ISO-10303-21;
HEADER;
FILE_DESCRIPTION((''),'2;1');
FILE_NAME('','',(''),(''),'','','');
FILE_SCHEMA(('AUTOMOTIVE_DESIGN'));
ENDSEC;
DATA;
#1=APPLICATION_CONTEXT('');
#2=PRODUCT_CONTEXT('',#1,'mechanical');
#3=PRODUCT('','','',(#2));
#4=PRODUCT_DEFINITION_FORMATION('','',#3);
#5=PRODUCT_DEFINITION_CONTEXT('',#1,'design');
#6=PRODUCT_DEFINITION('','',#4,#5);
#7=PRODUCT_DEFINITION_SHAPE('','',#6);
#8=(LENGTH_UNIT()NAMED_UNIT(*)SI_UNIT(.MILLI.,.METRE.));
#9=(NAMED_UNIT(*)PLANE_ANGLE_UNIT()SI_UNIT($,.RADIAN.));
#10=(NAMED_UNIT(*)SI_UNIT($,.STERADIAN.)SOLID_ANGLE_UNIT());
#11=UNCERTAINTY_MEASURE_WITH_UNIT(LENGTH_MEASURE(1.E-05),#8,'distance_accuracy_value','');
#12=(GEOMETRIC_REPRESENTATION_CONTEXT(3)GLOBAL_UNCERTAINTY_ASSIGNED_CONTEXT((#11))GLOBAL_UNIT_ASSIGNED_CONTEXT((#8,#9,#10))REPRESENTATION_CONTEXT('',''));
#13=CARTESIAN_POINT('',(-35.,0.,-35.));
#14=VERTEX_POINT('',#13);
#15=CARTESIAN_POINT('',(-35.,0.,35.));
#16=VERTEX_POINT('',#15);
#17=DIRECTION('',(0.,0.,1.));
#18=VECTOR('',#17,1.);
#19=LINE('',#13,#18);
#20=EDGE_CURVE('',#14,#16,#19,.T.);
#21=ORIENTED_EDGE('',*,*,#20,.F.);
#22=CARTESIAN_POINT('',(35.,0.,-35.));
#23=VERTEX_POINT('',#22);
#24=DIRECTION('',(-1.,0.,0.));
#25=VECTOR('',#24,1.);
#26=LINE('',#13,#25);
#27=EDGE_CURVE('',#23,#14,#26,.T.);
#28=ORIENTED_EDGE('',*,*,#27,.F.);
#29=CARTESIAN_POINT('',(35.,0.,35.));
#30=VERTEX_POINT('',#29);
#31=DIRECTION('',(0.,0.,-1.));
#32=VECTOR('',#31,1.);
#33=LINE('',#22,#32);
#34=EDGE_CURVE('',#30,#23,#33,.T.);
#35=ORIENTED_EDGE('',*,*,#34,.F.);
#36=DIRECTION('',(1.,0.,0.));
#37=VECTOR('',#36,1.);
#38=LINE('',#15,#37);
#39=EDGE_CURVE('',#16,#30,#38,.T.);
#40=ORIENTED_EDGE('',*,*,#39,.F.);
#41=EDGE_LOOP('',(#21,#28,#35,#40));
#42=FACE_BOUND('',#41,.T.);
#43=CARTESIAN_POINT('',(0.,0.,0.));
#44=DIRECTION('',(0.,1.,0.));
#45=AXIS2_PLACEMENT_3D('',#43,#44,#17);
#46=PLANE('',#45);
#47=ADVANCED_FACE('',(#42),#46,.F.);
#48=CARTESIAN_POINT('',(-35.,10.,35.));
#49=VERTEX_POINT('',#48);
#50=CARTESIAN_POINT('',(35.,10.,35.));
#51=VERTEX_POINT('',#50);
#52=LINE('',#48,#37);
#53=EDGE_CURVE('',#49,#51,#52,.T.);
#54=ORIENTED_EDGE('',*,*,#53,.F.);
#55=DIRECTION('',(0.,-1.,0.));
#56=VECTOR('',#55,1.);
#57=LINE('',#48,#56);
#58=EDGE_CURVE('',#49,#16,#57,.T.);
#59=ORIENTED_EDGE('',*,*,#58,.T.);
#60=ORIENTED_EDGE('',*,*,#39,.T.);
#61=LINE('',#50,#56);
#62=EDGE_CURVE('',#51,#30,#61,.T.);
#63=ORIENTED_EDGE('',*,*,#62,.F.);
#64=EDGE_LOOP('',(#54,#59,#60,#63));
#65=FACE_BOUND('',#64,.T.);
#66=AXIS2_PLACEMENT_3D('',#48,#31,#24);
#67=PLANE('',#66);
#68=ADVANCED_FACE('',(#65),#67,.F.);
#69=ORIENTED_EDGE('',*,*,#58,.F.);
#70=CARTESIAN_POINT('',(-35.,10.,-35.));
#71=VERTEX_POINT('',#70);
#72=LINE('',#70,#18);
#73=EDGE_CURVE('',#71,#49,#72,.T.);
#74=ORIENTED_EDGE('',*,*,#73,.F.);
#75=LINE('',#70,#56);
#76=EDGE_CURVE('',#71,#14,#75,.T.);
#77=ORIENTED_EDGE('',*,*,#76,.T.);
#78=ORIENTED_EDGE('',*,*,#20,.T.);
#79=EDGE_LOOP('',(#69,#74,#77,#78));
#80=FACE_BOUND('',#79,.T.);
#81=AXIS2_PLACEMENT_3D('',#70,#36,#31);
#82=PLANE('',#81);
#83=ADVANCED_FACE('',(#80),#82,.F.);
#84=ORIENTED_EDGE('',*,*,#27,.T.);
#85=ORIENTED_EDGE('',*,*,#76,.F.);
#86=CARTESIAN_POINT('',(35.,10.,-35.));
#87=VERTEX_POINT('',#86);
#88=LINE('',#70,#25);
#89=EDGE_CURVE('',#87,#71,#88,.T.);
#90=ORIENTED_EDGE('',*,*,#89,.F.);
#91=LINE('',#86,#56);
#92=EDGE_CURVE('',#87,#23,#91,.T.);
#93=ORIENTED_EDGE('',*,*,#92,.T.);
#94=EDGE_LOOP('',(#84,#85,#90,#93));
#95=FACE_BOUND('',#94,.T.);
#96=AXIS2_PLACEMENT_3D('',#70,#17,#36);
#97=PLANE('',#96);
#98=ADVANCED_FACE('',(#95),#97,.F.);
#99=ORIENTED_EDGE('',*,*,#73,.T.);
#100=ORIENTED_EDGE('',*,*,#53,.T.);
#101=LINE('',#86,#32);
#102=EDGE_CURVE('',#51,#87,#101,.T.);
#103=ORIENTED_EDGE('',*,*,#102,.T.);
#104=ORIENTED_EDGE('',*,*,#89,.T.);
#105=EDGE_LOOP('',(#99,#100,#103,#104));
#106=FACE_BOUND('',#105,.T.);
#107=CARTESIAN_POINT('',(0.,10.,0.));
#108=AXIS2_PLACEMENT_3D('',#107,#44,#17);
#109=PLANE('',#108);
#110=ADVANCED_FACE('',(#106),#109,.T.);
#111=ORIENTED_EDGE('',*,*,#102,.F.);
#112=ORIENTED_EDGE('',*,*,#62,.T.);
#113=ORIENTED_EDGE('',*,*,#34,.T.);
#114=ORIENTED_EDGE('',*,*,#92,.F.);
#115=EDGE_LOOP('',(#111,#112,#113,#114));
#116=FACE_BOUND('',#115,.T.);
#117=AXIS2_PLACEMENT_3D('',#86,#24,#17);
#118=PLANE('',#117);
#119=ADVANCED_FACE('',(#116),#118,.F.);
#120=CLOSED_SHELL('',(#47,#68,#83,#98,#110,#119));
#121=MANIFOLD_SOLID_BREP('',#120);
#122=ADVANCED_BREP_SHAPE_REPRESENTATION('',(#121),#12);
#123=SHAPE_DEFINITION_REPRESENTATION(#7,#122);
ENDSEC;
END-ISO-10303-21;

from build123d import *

# Parameters (mm, degrees)
SKETCH1_W           = 70
SKETCH1_H           = 70
BOSS_EXTRUDE1_DEPTH = 10


with BuildPart() as part:
    # Sketch1 → Boss-Extrude1 (new body)
    with BuildSketch(Plane(origin=(0, 0, 0), x_dir=(1, 0, 0), z_dir=(0, 1, 0))):
        Rectangle(SKETCH1_W, SKETCH1_H)
    extrude(amount=BOSS_EXTRUDE1_DEPTH)


solid = part.part
